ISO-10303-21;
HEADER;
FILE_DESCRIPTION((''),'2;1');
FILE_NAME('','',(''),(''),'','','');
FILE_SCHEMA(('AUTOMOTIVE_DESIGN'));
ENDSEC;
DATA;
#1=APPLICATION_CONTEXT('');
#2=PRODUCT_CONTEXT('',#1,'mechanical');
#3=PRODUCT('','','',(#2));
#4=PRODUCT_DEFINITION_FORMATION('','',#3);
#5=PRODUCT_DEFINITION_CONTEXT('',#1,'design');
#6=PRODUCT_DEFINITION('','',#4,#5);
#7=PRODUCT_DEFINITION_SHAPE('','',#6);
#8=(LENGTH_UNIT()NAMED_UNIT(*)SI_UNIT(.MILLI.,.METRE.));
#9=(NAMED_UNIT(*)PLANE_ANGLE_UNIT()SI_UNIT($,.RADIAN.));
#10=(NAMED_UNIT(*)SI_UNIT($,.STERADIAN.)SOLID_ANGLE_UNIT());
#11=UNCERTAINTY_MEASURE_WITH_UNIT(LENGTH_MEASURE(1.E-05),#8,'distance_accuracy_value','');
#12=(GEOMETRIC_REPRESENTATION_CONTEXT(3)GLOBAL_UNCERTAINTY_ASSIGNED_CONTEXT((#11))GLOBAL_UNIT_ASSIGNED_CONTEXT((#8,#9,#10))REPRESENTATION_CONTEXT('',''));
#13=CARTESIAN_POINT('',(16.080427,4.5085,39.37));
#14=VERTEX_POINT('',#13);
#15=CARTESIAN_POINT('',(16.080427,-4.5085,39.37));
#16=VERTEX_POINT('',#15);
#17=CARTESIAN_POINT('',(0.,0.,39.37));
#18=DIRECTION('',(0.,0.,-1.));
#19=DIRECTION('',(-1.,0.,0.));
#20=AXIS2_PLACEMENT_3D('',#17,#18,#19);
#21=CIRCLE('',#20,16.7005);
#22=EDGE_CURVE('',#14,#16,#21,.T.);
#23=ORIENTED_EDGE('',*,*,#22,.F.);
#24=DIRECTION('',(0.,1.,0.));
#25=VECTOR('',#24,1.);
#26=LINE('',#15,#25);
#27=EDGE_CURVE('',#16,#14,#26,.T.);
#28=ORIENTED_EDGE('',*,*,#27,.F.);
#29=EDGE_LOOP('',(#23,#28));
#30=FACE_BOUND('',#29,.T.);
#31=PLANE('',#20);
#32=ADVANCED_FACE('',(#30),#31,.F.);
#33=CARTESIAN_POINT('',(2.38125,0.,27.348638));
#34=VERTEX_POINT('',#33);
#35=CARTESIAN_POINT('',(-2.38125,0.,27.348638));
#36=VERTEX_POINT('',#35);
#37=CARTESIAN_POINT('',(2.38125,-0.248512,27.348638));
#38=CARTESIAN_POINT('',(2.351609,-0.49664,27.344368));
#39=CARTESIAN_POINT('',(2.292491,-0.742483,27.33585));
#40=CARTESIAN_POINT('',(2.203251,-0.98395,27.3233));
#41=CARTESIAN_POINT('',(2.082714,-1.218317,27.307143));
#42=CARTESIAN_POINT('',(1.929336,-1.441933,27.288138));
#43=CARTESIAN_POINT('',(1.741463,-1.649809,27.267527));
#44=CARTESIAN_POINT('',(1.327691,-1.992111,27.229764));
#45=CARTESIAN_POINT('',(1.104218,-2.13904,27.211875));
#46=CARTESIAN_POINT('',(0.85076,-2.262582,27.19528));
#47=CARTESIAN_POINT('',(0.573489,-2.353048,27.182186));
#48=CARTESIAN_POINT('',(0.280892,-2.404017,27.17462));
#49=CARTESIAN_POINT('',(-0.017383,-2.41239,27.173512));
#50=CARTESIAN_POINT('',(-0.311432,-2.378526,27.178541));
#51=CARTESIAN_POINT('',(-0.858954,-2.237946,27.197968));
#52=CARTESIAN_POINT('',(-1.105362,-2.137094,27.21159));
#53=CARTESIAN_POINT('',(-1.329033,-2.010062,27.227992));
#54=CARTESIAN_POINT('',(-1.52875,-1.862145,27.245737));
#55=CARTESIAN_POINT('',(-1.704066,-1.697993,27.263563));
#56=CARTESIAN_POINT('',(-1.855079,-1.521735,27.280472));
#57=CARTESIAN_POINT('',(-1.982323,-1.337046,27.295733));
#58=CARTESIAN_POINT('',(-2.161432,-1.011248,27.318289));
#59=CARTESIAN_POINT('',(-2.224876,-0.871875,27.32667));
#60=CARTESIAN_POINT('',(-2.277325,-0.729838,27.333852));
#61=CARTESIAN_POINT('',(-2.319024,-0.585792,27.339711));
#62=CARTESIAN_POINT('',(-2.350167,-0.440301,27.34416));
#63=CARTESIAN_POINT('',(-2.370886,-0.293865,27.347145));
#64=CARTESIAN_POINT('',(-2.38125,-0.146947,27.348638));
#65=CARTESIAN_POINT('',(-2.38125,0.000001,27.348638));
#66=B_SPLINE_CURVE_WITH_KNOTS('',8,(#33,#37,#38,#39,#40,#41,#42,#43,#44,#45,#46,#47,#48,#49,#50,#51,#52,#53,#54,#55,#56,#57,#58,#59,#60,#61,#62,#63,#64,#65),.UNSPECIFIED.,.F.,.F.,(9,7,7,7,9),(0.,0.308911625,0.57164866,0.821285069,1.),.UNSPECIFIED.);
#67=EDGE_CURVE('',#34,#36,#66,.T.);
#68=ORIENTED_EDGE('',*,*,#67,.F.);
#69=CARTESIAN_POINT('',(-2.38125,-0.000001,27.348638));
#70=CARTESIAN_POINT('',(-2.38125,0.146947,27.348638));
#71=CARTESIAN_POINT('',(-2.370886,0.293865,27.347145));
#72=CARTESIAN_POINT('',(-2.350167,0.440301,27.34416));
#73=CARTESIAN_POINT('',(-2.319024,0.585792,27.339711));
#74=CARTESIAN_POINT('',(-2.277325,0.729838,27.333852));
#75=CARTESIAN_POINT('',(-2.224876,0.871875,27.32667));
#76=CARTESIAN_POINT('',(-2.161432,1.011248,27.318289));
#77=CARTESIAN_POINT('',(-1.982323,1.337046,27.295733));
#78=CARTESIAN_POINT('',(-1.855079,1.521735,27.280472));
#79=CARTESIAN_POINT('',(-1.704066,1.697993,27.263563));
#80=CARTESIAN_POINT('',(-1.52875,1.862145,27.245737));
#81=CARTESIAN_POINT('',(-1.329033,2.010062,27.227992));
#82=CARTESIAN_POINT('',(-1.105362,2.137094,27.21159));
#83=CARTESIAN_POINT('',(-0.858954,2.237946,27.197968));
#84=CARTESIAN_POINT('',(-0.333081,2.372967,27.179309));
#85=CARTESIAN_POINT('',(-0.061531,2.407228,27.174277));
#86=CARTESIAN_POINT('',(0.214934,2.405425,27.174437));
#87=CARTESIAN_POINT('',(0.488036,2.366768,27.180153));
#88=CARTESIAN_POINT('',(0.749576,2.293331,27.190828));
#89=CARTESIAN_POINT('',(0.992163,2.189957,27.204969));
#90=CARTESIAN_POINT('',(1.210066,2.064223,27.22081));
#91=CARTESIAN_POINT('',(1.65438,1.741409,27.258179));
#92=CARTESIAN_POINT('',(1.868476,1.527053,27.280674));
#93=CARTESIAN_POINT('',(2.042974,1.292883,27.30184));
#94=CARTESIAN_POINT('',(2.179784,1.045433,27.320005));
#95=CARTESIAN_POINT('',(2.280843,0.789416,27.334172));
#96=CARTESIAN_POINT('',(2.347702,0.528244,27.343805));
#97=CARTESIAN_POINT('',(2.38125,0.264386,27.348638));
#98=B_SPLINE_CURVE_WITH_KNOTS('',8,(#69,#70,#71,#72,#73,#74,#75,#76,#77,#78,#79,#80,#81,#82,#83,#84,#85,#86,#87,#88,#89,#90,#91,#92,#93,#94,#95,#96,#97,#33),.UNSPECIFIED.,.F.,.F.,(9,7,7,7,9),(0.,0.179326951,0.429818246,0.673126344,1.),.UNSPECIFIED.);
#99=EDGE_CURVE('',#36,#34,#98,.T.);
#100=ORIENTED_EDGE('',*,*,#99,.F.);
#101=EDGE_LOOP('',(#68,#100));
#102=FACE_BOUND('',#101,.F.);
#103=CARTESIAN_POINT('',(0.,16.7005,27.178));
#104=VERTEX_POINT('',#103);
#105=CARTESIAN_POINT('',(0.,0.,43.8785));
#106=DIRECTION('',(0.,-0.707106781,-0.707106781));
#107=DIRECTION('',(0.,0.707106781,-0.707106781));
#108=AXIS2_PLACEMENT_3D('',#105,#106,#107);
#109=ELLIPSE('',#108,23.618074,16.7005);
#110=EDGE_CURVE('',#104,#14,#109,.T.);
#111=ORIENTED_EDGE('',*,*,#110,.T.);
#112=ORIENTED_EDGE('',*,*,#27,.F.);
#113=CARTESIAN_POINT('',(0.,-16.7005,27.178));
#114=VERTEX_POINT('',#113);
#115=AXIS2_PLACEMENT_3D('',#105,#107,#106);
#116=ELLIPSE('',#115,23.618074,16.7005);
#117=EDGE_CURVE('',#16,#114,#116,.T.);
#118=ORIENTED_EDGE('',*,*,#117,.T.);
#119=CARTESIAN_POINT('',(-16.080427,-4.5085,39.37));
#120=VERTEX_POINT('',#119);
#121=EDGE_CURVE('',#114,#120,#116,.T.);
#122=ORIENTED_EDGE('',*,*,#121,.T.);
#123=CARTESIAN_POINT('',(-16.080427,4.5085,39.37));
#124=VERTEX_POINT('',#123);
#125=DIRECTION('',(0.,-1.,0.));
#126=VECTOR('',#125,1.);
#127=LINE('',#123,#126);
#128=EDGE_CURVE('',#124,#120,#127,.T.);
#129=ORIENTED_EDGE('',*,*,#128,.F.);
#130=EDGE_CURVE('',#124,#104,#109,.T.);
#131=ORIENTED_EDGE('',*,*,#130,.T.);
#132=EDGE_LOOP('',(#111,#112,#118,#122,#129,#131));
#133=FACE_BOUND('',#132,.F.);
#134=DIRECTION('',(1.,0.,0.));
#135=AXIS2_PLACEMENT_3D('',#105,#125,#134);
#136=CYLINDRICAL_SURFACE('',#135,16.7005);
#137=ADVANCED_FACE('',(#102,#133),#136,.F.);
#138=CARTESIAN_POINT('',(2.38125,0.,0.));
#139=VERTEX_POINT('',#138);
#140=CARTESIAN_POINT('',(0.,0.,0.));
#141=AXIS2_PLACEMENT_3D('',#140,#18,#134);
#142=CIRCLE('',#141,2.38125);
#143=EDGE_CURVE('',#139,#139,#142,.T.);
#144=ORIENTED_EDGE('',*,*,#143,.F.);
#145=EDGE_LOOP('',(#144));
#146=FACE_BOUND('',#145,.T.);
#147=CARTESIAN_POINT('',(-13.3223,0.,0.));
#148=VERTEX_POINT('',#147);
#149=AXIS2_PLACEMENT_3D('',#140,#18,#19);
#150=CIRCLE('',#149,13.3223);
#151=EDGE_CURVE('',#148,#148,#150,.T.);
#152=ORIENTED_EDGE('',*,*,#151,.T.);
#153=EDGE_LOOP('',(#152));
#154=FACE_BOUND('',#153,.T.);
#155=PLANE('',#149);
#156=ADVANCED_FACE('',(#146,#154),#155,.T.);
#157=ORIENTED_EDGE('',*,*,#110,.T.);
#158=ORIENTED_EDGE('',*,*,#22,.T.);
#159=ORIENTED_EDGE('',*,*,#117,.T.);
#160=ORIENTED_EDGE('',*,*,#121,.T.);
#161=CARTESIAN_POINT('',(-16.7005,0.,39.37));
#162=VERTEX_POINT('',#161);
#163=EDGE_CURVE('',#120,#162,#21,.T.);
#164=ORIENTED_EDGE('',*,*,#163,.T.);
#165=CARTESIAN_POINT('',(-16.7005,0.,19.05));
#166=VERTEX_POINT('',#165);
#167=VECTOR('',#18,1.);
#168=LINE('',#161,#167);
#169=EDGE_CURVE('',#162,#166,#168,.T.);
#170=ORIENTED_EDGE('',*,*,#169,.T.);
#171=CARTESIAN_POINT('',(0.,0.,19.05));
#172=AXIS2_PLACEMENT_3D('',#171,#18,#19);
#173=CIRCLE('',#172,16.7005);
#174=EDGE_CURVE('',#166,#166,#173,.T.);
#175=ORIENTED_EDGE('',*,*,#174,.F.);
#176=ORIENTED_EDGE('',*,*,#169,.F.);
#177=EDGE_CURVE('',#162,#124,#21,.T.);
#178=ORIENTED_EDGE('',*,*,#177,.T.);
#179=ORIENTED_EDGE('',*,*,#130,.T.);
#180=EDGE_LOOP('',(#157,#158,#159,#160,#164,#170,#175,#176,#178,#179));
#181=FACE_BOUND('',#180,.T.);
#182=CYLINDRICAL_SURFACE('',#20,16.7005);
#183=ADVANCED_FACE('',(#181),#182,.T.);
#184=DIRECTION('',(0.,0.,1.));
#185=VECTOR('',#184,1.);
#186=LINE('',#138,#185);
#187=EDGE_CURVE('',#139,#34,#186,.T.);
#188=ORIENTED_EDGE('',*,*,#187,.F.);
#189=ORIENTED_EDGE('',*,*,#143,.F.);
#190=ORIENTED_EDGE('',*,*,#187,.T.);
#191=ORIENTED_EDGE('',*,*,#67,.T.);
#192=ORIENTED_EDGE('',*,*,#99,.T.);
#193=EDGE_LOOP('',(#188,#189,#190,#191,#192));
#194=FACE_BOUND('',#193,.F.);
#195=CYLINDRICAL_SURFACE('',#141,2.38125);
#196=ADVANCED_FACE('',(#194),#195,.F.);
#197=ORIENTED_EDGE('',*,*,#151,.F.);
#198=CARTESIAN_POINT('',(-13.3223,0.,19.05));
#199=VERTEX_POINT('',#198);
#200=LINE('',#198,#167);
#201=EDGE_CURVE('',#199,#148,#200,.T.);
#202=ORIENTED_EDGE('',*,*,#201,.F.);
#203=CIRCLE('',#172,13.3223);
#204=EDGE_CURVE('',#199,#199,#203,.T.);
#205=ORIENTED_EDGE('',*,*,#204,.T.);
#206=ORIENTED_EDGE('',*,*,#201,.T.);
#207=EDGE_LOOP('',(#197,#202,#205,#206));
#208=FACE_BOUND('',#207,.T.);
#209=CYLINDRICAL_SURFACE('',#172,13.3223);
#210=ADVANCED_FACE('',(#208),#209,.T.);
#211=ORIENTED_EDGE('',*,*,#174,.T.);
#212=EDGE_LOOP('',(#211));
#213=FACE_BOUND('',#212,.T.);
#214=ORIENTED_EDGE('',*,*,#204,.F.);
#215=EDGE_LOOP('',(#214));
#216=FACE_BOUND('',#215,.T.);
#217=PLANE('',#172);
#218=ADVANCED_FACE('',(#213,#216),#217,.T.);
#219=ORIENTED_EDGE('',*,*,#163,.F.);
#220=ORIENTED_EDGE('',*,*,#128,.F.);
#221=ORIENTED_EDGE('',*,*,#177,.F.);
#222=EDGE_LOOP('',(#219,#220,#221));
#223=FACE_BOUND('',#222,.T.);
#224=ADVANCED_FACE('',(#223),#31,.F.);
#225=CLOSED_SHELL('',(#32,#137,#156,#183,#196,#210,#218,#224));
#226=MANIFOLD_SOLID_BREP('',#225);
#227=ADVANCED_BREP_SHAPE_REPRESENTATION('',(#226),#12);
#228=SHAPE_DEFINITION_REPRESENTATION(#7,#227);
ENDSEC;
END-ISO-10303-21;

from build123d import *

# Parameters (mm, degrees)
F2_R          = 2.38125
F3_DEPTH      = 39.371
F4_R          = 16.7005
F5_DEPTH      = 16.7015
F5_DEPTH_BACK = 16.7015


with BuildPart() as f1:
    # F0 (on Front) → F1 (revolve)
    with BuildSketch(Plane.XZ):
        Polygon((-13.3223, 0), (0, 0), (0, 39.37), (-16.7005, 39.37), (-16.7005, 19.05), (-13.3223, 19.05), align=None)
    revolve(axis=Axis((0, 0, 19.685), (0, 0, -1)))

    # F2 (on face) → F3 (cut, through all)
    with BuildSketch(Plane(origin=(0, 0, 0), x_dir=(1, 0, 0), z_dir=(0, 0, -1))):
        Circle(F2_R)
    extrude(amount=-F3_DEPTH, mode=Mode.SUBTRACT)

    # F4 (on Front) → F5 (cut, two sides)
    with BuildSketch(Plane.XZ) as f5_sk:
        with Locations((0, 43.8785)):
            Circle(F4_R)
    extrude(amount=-F5_DEPTH, mode=Mode.SUBTRACT)
    extrude(f5_sk.sketch, amount=F5_DEPTH_BACK, mode=Mode.SUBTRACT)


solid = f1.part
